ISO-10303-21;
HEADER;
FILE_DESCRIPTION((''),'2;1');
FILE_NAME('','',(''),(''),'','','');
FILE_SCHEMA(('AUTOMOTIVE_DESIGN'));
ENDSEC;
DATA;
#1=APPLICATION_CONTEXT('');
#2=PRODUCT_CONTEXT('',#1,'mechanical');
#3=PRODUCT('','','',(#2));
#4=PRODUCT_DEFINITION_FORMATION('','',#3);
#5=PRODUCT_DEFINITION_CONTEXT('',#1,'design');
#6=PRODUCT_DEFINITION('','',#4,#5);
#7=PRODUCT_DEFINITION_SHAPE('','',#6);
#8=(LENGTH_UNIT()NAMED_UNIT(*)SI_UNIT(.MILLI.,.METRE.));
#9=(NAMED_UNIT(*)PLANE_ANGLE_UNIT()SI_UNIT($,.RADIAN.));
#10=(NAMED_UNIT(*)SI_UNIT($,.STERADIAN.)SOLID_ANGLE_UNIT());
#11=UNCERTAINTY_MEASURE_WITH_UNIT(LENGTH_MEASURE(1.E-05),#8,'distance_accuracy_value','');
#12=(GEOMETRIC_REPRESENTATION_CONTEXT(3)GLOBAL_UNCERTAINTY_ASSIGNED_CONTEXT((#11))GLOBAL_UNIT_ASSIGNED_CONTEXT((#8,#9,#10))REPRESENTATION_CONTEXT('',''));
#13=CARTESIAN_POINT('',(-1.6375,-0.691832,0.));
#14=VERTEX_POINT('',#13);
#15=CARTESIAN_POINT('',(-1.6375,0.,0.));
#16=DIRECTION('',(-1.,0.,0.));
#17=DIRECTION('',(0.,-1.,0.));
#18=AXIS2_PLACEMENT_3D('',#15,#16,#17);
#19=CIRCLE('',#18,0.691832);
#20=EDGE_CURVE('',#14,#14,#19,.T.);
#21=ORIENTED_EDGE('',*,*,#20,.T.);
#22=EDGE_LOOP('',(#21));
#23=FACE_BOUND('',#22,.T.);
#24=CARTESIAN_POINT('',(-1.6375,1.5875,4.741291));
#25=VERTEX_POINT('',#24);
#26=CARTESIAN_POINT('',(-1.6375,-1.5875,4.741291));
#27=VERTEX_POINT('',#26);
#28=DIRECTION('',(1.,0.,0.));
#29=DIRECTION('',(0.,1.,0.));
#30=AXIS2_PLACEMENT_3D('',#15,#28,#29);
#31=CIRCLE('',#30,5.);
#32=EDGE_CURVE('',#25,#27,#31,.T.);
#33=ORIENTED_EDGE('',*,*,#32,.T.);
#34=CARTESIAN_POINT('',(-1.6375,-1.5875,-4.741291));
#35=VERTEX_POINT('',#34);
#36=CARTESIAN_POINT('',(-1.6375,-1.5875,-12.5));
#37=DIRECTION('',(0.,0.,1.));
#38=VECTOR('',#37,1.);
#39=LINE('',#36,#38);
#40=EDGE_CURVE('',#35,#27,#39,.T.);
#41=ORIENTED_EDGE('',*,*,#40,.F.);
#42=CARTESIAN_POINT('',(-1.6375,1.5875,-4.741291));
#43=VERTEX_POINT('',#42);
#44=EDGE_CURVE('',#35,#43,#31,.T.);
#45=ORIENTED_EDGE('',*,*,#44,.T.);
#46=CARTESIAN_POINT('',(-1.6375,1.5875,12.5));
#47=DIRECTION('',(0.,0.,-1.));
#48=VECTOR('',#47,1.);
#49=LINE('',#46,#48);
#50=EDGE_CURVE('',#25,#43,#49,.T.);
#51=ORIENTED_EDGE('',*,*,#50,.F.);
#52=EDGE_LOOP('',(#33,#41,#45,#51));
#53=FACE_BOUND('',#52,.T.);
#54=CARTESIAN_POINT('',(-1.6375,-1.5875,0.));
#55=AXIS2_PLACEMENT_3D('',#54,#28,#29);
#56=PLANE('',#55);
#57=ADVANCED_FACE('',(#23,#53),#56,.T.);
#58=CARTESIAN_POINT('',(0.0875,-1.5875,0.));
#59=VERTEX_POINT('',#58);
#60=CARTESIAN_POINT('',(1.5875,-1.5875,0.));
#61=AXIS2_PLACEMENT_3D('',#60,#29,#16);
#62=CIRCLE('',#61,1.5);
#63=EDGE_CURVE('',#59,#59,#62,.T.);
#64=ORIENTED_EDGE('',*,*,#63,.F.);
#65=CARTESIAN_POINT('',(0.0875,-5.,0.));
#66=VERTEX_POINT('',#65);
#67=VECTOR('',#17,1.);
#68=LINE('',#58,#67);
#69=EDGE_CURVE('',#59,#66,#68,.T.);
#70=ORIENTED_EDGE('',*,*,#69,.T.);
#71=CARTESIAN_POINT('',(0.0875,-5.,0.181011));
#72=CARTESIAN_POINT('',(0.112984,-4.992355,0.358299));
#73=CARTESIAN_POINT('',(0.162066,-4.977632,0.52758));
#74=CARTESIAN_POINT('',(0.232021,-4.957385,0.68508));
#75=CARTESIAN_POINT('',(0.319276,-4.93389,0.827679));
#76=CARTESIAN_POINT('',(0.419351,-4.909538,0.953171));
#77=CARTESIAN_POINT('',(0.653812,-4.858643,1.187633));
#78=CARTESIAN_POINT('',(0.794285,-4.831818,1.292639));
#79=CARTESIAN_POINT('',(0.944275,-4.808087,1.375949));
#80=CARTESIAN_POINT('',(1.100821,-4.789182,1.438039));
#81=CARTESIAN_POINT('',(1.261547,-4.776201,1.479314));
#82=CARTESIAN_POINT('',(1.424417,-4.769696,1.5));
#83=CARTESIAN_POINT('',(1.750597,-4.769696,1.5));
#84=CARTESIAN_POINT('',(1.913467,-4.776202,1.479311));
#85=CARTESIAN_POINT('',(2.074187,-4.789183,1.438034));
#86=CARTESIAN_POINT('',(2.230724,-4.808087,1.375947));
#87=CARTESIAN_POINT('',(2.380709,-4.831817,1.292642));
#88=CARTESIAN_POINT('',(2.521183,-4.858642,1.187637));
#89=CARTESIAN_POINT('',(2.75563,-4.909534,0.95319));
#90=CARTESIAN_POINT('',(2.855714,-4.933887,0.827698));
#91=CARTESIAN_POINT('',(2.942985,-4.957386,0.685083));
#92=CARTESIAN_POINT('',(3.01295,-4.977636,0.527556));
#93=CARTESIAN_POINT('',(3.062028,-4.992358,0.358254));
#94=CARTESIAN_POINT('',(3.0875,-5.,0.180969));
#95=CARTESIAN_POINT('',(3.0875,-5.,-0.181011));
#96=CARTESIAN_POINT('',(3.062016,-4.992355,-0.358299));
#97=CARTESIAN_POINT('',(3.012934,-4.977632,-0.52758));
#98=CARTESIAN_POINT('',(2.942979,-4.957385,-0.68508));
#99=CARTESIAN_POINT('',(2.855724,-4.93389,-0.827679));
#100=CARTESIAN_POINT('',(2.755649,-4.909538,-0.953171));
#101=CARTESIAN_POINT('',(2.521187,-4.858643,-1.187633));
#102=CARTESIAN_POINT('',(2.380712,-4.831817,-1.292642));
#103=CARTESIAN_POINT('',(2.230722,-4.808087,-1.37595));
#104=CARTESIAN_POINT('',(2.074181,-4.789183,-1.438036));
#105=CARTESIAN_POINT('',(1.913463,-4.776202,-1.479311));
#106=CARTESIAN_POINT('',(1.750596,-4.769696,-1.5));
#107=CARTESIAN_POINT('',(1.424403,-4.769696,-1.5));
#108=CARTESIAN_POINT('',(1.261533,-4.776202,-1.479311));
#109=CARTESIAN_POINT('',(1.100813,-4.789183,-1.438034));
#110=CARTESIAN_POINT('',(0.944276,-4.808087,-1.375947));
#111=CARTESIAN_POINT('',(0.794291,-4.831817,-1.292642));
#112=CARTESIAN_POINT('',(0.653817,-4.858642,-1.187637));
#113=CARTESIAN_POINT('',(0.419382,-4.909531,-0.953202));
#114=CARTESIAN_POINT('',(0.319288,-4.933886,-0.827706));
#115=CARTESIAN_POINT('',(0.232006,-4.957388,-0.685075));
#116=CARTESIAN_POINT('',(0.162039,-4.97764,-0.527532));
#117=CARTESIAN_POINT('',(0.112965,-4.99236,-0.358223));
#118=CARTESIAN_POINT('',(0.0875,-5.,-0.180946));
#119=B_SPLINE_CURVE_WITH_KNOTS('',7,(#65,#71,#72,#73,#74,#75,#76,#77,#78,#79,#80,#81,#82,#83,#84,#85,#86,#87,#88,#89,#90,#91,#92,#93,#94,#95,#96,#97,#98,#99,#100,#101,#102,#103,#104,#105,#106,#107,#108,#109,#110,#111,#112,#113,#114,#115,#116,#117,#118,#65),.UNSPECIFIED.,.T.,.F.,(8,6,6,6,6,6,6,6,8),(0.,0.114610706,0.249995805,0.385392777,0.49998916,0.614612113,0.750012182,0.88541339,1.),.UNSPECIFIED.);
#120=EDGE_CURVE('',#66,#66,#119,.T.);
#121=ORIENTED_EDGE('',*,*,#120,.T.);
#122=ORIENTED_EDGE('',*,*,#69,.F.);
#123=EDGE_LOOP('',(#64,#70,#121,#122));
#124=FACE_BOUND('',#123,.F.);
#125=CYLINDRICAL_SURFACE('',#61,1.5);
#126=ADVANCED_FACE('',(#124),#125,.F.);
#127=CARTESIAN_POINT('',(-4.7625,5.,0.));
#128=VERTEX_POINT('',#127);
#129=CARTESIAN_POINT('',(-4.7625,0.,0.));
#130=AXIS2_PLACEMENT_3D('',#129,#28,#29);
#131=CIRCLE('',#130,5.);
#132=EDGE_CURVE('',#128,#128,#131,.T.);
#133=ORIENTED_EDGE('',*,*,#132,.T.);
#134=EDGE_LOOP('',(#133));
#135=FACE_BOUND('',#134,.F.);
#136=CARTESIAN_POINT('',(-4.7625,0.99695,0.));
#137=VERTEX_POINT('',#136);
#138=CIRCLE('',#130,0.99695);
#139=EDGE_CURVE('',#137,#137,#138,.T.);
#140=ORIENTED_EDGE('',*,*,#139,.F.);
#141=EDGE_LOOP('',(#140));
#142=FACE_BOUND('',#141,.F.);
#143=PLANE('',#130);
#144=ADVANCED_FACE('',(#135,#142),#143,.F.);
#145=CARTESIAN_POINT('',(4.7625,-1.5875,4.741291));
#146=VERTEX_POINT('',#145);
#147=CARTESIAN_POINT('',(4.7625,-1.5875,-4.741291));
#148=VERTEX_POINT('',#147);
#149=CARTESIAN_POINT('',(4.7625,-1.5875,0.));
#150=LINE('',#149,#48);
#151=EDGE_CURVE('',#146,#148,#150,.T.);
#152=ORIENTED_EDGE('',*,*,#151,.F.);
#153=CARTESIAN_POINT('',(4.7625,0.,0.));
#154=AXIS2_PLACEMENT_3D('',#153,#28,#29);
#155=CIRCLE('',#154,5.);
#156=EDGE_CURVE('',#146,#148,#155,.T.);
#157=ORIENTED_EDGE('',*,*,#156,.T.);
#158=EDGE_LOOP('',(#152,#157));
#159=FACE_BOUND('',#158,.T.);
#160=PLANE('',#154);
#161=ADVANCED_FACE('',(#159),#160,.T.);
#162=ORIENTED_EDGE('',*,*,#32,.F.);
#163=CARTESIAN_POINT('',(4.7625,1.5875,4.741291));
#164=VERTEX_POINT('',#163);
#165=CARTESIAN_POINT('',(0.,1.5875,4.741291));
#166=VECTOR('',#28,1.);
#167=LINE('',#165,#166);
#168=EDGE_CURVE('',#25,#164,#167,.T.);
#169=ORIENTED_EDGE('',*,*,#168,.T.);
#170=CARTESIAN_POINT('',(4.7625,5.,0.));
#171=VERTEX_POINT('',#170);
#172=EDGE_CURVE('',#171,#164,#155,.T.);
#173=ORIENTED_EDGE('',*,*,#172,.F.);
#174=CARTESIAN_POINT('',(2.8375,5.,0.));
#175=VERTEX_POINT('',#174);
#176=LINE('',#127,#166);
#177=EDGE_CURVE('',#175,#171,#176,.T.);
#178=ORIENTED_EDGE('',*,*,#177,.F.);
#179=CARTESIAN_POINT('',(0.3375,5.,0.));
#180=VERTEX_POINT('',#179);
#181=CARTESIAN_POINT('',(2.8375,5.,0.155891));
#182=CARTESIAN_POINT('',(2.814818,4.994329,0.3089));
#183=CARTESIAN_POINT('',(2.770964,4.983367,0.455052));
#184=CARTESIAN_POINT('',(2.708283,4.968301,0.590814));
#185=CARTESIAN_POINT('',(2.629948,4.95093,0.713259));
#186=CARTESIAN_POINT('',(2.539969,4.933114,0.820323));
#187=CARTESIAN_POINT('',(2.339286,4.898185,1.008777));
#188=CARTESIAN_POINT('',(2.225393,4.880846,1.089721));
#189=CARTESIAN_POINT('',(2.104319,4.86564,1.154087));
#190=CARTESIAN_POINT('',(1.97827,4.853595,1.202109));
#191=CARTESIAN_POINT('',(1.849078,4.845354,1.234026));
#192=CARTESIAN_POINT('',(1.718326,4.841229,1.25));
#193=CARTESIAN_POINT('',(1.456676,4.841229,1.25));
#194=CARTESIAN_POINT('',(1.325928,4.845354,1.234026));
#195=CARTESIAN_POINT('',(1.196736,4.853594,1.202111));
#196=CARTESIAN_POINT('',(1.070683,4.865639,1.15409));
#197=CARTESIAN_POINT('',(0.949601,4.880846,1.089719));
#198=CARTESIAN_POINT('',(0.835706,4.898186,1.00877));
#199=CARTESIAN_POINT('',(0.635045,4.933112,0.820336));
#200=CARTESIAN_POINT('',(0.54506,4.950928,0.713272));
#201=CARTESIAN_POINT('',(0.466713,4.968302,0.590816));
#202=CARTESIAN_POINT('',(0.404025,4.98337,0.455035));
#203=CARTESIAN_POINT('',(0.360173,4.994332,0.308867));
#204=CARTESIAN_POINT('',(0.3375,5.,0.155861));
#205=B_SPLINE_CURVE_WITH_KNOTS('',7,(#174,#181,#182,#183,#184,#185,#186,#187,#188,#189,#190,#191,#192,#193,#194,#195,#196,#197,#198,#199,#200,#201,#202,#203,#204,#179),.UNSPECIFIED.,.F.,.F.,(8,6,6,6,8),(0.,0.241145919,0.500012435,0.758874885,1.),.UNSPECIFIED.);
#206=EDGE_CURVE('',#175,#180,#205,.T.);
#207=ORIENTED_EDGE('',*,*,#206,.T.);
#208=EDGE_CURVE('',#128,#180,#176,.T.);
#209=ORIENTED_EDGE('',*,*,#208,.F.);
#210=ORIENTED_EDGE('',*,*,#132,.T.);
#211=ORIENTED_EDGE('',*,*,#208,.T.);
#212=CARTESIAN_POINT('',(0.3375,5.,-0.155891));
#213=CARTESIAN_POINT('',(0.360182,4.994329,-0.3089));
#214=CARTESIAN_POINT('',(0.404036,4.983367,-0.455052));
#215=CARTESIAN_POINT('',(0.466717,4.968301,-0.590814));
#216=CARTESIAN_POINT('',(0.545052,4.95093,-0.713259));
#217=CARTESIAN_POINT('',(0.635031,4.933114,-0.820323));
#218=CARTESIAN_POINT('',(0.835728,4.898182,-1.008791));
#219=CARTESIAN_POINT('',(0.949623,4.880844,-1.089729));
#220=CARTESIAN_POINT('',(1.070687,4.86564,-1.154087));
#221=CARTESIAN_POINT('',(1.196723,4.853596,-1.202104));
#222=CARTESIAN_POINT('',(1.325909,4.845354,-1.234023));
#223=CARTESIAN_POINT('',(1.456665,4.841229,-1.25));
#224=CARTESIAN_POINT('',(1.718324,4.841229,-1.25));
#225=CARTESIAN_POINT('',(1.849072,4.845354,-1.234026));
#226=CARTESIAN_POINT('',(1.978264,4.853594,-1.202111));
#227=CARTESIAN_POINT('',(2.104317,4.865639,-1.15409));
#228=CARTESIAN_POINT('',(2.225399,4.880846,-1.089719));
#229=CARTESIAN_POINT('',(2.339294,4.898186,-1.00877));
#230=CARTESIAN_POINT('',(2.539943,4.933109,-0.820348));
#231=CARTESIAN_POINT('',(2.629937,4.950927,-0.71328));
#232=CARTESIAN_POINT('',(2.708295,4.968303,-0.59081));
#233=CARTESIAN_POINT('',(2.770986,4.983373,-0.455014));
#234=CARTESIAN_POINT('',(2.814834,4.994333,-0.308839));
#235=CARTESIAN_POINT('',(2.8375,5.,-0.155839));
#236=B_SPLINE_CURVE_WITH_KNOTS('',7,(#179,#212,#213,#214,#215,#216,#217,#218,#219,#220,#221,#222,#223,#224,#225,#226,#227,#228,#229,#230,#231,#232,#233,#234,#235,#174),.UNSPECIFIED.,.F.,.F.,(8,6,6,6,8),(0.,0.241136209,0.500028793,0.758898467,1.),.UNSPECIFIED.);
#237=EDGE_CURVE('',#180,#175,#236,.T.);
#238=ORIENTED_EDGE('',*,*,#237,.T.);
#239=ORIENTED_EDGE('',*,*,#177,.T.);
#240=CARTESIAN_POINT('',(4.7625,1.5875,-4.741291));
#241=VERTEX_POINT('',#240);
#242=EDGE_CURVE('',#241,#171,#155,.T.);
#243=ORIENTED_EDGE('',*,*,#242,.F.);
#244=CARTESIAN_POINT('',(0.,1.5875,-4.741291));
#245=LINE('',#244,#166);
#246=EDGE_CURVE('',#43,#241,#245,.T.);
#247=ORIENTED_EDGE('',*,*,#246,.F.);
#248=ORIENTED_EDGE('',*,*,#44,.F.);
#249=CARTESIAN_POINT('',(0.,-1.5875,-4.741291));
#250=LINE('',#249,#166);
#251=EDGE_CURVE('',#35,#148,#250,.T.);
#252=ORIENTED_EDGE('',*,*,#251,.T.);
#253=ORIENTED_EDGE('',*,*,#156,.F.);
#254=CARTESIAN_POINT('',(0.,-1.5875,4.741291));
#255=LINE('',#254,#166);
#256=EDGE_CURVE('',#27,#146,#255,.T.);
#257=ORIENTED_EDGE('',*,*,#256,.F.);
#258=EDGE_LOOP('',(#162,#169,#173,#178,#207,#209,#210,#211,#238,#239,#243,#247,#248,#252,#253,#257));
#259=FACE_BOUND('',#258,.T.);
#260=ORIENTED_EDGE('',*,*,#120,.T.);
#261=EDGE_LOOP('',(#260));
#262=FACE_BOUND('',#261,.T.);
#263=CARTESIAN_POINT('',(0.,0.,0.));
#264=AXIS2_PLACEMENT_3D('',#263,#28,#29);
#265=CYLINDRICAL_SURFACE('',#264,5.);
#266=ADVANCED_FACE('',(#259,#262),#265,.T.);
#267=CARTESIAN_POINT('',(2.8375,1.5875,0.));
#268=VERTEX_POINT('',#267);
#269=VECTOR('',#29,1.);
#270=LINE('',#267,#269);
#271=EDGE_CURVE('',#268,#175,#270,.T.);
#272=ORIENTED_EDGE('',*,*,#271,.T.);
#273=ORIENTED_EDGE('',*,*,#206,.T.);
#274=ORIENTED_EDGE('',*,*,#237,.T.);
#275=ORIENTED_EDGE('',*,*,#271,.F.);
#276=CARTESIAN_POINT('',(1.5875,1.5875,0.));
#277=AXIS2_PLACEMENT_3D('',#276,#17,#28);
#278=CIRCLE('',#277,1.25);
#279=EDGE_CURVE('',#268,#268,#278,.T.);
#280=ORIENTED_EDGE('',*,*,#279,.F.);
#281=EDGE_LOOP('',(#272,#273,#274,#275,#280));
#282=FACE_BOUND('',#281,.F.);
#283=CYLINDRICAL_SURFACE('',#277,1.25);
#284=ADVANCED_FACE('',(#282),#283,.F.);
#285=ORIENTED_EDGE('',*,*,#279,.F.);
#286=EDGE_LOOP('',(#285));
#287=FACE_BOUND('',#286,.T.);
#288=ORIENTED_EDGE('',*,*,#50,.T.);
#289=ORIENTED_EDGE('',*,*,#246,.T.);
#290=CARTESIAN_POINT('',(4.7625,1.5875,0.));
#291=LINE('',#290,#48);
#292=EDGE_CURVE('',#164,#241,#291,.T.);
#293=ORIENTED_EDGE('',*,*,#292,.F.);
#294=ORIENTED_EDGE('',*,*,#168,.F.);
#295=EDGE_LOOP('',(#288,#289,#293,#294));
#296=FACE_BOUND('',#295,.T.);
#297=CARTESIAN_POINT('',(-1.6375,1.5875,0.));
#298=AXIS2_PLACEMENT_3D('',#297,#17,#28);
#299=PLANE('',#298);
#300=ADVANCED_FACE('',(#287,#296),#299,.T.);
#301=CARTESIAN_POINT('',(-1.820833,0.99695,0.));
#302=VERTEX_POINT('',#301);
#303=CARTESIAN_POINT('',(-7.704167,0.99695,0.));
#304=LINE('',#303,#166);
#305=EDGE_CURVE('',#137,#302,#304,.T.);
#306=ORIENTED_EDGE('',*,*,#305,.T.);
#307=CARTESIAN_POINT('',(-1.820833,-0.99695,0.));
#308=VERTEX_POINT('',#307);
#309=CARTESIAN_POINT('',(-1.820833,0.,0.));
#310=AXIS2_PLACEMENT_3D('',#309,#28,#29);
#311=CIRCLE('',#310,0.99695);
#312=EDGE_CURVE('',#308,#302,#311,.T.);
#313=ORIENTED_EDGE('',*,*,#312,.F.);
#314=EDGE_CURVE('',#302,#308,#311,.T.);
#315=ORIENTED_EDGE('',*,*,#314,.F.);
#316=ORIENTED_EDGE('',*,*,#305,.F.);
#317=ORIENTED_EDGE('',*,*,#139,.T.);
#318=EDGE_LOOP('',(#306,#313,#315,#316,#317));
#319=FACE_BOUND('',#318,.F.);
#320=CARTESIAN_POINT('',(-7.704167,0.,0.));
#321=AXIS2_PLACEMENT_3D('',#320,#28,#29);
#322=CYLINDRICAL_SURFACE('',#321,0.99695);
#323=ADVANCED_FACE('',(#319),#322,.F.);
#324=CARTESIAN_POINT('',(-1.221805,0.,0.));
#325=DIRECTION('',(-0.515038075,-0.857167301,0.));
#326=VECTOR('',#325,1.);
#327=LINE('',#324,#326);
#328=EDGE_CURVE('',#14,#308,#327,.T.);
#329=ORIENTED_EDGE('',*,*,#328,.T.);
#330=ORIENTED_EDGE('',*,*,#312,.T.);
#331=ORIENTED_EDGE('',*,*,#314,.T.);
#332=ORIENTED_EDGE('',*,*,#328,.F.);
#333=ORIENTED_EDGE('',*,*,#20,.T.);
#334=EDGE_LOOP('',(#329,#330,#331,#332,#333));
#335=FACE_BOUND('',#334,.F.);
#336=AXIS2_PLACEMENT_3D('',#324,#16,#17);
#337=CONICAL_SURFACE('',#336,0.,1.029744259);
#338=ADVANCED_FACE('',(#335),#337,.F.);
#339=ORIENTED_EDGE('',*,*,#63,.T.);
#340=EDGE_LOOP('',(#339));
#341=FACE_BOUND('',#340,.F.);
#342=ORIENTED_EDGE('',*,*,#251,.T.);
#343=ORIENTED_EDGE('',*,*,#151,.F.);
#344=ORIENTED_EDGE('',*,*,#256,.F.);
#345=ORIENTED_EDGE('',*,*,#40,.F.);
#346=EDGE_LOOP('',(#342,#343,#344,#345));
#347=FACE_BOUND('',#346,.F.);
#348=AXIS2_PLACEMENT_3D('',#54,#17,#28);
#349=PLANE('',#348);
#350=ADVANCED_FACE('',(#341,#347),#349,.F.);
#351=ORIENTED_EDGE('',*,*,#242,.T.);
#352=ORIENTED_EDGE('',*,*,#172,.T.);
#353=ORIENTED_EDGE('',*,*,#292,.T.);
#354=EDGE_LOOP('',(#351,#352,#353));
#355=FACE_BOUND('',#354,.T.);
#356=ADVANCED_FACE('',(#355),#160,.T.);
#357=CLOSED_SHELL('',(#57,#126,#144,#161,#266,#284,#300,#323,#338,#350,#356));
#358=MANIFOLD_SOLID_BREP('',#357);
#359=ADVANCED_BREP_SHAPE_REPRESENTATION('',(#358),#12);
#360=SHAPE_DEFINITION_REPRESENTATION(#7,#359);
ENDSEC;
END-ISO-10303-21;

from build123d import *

# Parameters (mm, degrees)
F0_R     = 5
F1_DEPTH = 4.7625
F3_D     = 1.9939
F3_DEPTH = 2.9416666667
F3_TIP   = 0.5990279941
F4_W     = 12.8
F4_H     = 3.175
F5_DEPTH = 12.5
F7_D     = 2.5
F7_DEPTH = 3.4135
F8_R     = 1.5
F9_DEPTH = 3.4135001


with BuildPart() as f1:
    # F0 (on Right) → F1 (new body, symmetric)
    with BuildSketch(Plane.YZ):
        Circle(F0_R)
    extrude(amount=F1_DEPTH, both=True)

    # F3
    with Locations(Plane(origin=(-4.7625, 0, 0), x_dir=(0, -1, 0), z_dir=(-1, 0, 0))):
        with Locations((0, 0)):
            Hole(F3_D / 2, depth=F3_DEPTH)
            with Locations((0, 0, -(F3_DEPTH + F3_TIP / 2))):  # 118° drill point
                Cone(0, F3_D / 2, F3_TIP, mode=Mode.SUBTRACT)

    # F4 (on Top) → F5 (cut, symmetric)
    with BuildSketch(Plane.XY):
        with Locations((4.7625, 0)):
            Rectangle(F4_W, F4_H)
    extrude(amount=F5_DEPTH, both=True, mode=Mode.SUBTRACT)

    # F7 (through all, one way)
    with BuildSketch(Plane.XZ.offset(-1.5875)):
        with Locations((1.5875, 0)):
            Circle(F7_D / 2)
    extrude(amount=-F7_DEPTH, mode=Mode.SUBTRACT)

    # F8 (on face) → F9 (cut, through all)
    with BuildSketch(Plane(origin=(0, -1.5875, 0), x_dir=(-1, 0, 0), z_dir=(0, 1, 0))):
        with Locations((-1.5875, 0)):
            Circle(F8_R)
    extrude(amount=-F9_DEPTH, mode=Mode.SUBTRACT)


solid = f1.part
